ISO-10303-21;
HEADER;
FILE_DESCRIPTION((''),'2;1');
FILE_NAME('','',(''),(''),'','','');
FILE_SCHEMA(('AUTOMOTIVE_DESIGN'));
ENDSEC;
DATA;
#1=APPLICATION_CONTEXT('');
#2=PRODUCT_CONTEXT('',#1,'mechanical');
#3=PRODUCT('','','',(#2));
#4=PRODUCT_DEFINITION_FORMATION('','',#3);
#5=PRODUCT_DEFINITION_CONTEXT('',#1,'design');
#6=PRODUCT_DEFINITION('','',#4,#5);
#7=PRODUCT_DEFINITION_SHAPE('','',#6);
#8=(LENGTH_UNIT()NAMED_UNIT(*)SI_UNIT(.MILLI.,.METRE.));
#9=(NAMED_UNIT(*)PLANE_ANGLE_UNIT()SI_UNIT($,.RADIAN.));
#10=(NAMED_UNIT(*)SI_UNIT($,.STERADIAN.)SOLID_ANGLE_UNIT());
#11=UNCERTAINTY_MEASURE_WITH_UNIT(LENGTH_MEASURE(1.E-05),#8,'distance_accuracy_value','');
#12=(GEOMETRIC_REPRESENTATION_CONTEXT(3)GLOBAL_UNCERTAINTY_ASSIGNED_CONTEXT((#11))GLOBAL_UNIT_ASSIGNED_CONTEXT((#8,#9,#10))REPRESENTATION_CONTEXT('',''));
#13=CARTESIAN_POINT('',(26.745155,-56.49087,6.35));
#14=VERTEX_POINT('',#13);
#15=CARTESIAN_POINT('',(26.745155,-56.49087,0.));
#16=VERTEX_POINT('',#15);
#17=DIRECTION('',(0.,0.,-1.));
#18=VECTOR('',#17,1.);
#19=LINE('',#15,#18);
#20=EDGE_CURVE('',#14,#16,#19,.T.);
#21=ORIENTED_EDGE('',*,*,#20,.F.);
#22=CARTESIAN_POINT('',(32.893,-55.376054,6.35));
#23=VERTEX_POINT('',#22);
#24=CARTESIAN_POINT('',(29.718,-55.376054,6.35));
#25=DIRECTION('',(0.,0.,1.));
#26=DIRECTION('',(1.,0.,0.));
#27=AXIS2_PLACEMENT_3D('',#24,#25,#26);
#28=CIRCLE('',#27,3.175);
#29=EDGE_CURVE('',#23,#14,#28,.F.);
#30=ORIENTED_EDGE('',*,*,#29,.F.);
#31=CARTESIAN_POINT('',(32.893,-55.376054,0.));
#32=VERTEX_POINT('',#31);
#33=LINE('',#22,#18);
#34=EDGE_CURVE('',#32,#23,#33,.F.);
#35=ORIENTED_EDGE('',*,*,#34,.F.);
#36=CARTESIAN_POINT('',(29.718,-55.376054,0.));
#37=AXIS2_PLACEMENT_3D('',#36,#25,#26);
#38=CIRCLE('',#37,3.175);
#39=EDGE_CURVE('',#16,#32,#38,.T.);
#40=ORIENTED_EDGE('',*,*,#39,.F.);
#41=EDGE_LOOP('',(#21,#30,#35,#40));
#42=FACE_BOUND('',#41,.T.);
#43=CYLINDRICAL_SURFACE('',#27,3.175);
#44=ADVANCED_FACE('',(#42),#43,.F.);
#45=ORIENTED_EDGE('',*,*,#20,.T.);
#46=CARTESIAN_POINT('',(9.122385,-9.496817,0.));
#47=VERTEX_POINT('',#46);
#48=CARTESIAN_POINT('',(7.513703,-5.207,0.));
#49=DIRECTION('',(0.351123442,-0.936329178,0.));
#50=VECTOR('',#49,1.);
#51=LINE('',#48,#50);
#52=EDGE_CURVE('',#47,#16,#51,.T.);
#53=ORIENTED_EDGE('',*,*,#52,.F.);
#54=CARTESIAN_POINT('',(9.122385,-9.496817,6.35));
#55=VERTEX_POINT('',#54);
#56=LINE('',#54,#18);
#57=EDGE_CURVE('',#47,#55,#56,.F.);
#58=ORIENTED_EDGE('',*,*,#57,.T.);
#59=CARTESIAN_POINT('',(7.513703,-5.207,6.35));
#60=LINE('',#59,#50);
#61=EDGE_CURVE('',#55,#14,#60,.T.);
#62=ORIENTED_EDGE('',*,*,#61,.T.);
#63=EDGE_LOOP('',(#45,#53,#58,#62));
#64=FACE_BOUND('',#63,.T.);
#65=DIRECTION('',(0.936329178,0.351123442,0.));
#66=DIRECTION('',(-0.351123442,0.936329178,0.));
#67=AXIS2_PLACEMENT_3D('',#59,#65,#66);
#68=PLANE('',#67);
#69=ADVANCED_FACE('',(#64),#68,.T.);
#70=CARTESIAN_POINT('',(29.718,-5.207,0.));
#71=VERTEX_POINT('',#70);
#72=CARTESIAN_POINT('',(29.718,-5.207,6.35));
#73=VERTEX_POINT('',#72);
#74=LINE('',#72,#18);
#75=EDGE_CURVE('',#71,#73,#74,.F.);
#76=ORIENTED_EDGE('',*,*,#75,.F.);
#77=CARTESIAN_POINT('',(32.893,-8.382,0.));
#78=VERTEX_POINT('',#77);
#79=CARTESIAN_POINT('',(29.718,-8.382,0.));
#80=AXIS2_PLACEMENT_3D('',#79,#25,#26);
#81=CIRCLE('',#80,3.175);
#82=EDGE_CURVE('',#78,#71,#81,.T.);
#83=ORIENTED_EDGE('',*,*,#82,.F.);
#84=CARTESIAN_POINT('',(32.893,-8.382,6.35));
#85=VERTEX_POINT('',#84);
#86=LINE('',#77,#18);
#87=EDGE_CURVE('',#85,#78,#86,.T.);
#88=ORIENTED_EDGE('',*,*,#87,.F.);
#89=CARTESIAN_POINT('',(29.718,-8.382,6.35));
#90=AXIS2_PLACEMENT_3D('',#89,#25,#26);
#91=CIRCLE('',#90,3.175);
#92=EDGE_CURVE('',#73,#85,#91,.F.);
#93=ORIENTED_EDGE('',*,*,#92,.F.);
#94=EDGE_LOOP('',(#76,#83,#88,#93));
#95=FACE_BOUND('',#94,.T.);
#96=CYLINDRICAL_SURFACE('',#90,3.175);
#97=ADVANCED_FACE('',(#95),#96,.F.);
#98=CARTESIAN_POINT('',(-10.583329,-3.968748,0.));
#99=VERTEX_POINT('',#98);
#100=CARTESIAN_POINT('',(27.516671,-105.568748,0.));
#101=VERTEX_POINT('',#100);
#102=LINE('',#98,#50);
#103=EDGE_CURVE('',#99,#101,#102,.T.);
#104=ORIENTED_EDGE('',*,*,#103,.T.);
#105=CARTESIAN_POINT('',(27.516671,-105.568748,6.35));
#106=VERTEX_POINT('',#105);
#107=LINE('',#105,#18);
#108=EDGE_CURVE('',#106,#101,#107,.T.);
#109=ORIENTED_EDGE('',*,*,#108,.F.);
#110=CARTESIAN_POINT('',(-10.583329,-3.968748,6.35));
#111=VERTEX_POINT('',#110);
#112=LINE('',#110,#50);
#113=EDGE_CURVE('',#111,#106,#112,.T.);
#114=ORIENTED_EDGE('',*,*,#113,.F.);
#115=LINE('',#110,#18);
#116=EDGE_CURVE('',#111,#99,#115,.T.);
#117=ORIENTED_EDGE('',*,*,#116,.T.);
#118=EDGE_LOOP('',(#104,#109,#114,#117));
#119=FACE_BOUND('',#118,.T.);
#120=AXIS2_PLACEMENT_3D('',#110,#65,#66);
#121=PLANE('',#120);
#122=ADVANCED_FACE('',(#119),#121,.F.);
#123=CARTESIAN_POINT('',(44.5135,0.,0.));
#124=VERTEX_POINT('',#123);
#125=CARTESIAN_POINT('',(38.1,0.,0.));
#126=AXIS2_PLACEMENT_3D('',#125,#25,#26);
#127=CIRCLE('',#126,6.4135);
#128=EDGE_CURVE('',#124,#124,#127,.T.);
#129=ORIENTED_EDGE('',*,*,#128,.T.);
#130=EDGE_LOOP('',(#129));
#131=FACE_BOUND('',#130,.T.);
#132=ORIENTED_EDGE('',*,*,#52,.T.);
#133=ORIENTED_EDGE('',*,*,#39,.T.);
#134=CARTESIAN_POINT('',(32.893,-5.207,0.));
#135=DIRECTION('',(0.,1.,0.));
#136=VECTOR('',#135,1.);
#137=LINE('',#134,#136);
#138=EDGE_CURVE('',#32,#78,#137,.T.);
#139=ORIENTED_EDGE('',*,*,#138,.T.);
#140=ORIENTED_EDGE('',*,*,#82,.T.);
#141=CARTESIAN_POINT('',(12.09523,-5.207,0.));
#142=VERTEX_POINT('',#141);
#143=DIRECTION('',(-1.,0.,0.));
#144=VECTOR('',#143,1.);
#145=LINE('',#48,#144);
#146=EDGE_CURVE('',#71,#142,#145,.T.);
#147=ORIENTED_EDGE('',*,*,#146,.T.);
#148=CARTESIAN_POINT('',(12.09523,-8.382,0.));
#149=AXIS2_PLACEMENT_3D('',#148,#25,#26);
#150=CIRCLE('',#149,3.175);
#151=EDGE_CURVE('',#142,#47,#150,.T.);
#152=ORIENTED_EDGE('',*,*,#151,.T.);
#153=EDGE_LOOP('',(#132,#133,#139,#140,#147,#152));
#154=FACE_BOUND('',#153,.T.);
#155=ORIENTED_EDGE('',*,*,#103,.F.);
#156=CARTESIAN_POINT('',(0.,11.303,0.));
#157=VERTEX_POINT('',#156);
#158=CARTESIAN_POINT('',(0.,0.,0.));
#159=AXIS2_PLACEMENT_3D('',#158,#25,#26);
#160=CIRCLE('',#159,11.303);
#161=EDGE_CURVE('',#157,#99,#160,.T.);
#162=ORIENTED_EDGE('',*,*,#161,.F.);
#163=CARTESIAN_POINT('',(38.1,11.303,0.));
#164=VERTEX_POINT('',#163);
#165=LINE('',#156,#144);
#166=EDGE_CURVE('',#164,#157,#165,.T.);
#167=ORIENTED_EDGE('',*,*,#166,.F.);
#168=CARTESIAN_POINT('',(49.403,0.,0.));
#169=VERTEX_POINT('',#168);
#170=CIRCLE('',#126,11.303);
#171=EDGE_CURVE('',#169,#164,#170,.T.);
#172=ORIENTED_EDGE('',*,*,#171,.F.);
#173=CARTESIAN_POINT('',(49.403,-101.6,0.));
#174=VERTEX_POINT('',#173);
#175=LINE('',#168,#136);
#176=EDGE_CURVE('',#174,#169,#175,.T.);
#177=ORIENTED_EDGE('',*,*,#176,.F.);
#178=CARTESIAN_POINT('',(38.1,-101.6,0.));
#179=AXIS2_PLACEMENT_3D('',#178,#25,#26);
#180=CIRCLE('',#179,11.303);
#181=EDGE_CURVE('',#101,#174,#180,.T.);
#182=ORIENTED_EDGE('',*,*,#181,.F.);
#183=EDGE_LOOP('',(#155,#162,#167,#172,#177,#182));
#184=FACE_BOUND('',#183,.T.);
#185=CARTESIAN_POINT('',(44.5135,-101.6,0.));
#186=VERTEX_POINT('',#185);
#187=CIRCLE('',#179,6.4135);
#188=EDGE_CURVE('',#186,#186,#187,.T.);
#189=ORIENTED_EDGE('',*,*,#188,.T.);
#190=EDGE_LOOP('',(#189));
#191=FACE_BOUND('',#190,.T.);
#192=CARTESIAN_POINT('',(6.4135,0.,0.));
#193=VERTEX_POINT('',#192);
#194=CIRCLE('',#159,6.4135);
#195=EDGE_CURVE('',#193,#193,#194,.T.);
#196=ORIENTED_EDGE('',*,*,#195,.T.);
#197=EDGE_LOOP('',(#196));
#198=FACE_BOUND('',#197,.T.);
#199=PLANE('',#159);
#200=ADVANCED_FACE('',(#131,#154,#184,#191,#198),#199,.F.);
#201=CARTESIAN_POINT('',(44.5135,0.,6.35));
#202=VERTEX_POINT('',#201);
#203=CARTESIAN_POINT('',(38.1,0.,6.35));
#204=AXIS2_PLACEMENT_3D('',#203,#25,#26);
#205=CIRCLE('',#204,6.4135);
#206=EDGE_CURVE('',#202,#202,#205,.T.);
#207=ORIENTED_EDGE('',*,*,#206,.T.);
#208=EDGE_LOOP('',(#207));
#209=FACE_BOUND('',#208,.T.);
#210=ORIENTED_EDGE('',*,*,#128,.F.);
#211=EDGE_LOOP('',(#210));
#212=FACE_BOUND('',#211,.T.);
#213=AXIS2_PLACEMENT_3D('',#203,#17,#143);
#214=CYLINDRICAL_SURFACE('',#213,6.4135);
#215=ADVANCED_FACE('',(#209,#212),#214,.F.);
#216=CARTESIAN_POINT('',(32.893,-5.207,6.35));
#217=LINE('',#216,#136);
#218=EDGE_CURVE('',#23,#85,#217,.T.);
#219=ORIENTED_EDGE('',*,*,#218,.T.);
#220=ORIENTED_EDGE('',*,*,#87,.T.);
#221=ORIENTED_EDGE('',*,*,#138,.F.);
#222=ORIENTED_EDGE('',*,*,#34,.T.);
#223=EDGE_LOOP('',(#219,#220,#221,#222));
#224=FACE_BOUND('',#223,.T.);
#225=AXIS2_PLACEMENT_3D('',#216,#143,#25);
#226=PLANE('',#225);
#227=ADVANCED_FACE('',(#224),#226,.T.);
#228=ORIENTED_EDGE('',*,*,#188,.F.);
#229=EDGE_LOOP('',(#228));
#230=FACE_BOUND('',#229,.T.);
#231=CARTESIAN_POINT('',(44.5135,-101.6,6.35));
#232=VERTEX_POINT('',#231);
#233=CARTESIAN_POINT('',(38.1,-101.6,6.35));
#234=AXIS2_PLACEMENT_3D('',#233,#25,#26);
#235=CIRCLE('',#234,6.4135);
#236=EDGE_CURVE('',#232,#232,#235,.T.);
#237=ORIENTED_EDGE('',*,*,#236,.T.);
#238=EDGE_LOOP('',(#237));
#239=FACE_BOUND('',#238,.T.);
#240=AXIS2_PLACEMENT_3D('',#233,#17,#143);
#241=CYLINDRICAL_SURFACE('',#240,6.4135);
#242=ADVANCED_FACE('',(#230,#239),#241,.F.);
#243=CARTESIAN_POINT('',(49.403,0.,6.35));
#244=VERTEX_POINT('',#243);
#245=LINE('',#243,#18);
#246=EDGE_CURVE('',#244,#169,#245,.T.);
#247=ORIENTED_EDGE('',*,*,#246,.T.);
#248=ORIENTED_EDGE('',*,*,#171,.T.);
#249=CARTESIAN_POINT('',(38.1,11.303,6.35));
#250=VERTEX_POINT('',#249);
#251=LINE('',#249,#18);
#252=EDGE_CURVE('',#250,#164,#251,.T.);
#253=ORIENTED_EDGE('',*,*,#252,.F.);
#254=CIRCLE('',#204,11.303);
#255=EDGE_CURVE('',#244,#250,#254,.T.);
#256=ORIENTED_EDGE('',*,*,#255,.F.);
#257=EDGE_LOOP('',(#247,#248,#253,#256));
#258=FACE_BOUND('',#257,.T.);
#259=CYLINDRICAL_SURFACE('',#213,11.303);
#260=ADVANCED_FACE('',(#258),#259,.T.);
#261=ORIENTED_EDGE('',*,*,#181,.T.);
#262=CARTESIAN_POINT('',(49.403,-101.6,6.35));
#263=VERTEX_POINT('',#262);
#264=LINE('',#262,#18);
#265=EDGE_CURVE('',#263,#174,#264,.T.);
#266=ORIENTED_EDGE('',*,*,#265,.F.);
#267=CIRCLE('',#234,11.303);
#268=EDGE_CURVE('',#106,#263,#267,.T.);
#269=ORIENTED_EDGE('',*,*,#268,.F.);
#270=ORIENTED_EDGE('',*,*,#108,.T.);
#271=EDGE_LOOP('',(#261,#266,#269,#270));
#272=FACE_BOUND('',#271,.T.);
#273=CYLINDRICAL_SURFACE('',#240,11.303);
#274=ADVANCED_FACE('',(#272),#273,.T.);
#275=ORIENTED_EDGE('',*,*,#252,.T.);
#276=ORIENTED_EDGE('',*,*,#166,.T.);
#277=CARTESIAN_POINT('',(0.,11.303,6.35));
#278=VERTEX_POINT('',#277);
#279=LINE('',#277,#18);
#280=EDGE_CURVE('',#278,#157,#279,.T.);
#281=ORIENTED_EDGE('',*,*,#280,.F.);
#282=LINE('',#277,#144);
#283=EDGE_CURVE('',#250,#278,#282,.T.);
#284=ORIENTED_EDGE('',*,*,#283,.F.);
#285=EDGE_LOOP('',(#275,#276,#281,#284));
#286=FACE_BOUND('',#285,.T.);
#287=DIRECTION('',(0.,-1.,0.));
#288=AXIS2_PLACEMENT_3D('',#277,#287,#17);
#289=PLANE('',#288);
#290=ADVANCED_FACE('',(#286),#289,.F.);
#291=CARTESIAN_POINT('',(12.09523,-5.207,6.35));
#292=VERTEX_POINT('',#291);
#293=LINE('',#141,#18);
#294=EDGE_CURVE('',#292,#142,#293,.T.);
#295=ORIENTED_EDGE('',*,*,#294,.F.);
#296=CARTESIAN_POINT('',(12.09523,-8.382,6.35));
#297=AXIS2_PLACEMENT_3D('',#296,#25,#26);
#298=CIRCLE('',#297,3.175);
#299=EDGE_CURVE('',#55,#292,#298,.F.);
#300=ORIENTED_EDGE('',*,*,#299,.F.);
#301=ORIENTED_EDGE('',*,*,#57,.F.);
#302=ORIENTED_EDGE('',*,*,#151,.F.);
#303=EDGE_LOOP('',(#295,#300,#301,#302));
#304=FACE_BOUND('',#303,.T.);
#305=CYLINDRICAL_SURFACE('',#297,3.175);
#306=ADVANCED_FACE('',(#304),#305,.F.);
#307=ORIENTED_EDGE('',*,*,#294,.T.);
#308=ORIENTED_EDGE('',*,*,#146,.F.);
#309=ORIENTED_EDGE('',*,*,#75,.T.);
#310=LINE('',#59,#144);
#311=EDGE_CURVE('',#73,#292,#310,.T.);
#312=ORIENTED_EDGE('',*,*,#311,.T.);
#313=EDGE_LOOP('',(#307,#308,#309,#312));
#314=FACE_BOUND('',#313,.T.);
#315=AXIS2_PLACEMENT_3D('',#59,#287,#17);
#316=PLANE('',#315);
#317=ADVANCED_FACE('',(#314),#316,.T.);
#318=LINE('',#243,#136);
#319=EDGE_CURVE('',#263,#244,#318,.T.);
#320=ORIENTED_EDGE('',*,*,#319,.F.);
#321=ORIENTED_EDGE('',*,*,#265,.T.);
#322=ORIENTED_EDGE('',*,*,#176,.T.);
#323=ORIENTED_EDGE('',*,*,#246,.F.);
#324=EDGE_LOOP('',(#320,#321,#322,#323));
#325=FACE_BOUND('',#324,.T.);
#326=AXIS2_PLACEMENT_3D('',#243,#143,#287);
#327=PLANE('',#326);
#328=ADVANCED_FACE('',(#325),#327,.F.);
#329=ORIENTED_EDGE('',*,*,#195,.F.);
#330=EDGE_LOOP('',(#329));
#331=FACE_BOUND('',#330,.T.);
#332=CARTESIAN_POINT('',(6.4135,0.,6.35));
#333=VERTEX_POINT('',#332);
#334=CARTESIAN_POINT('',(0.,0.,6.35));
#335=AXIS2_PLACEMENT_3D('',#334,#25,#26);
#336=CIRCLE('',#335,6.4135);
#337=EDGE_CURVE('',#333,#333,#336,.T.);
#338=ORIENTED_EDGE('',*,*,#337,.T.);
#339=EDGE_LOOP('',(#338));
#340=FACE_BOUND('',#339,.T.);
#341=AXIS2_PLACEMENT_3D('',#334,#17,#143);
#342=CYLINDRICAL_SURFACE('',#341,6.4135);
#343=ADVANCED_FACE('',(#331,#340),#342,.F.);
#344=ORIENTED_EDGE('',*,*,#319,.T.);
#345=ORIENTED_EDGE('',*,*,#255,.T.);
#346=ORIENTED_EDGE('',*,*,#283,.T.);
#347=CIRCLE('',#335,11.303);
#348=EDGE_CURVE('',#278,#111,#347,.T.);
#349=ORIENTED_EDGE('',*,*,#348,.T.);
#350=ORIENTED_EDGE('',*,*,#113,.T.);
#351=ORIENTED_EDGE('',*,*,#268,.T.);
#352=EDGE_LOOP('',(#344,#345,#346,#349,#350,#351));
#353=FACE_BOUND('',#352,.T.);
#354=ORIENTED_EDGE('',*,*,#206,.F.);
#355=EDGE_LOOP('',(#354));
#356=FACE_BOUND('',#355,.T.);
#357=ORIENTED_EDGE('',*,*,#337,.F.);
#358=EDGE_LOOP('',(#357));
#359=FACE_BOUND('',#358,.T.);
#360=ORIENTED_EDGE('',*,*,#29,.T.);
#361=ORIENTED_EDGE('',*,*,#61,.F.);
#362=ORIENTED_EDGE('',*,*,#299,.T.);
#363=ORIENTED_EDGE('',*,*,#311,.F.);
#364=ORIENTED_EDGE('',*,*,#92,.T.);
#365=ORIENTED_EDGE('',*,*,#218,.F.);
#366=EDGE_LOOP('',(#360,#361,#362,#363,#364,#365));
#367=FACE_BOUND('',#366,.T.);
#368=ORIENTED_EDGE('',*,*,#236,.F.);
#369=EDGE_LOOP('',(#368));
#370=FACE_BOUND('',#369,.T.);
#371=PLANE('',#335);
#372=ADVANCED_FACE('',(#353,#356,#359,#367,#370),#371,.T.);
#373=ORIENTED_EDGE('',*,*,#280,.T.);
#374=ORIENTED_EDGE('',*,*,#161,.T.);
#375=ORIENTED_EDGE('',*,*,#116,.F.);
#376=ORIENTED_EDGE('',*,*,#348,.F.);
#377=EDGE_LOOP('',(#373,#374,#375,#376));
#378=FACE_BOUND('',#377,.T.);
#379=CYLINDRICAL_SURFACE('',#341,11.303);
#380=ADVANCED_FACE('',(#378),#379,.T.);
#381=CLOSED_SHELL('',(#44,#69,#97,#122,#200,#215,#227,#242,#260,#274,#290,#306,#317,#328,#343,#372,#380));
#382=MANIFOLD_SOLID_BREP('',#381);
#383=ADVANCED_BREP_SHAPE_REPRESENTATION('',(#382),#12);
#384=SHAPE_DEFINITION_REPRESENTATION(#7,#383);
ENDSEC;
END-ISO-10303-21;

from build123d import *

# Parameters (mm, degrees)
ESQUISSE1_R        = 6.4135
BOSS_EXTRU_1_DEPTH = 6.35
CONG_1_R           = 3.175


with BuildPart() as part:
    # Esquisse1 → Boss.-Extru.1 (new body)
    with BuildSketch(Plane.XY):
        with BuildLine():
            Line((-10.583328694, -3.96874826), (27.516671306, -105.56874826))
            ThreePointArc((27.516671306, -105.56874826), (40.116735576, -112.721626977), (49.403, -101.6))
            Line((49.403, -101.6), (49.403, 0))
            ThreePointArc((49.403, 0), (46.092427948, 7.992427948), (38.1, 11.303))
            Line((38.1, 11.303), (0, 11.303))
            ThreePointArc((0, 11.303), (-9.290225255, 6.438130451), (-10.583328694, -3.96874826))
        make_face()
        Circle(ESQUISSE1_R, mode=Mode.SUBTRACT)
        with Locations((38.1, 0)):
            Circle(ESQUISSE1_R, mode=Mode.SUBTRACT)
        with Locations((38.1, -101.6)):
            Circle(ESQUISSE1_R, mode=Mode.SUBTRACT)
        Polygon((7.513703438, -5.207), (32.893, -72.885124166), (32.893, -5.207), align=None, mode=Mode.SUBTRACT)
    extrude(amount=BOSS_EXTRU_1_DEPTH)

    # Congé1
    cong_1_edges = [part.edges().sort_by_distance(p)[0] for p in [
        (32.893, -5.207, 3.175),
        (7.513703438, -5.207, 3.175),
        (32.893, -72.885124166, 3.175),
    ]]
    fillet(cong_1_edges, radius=CONG_1_R)


solid = part.part
